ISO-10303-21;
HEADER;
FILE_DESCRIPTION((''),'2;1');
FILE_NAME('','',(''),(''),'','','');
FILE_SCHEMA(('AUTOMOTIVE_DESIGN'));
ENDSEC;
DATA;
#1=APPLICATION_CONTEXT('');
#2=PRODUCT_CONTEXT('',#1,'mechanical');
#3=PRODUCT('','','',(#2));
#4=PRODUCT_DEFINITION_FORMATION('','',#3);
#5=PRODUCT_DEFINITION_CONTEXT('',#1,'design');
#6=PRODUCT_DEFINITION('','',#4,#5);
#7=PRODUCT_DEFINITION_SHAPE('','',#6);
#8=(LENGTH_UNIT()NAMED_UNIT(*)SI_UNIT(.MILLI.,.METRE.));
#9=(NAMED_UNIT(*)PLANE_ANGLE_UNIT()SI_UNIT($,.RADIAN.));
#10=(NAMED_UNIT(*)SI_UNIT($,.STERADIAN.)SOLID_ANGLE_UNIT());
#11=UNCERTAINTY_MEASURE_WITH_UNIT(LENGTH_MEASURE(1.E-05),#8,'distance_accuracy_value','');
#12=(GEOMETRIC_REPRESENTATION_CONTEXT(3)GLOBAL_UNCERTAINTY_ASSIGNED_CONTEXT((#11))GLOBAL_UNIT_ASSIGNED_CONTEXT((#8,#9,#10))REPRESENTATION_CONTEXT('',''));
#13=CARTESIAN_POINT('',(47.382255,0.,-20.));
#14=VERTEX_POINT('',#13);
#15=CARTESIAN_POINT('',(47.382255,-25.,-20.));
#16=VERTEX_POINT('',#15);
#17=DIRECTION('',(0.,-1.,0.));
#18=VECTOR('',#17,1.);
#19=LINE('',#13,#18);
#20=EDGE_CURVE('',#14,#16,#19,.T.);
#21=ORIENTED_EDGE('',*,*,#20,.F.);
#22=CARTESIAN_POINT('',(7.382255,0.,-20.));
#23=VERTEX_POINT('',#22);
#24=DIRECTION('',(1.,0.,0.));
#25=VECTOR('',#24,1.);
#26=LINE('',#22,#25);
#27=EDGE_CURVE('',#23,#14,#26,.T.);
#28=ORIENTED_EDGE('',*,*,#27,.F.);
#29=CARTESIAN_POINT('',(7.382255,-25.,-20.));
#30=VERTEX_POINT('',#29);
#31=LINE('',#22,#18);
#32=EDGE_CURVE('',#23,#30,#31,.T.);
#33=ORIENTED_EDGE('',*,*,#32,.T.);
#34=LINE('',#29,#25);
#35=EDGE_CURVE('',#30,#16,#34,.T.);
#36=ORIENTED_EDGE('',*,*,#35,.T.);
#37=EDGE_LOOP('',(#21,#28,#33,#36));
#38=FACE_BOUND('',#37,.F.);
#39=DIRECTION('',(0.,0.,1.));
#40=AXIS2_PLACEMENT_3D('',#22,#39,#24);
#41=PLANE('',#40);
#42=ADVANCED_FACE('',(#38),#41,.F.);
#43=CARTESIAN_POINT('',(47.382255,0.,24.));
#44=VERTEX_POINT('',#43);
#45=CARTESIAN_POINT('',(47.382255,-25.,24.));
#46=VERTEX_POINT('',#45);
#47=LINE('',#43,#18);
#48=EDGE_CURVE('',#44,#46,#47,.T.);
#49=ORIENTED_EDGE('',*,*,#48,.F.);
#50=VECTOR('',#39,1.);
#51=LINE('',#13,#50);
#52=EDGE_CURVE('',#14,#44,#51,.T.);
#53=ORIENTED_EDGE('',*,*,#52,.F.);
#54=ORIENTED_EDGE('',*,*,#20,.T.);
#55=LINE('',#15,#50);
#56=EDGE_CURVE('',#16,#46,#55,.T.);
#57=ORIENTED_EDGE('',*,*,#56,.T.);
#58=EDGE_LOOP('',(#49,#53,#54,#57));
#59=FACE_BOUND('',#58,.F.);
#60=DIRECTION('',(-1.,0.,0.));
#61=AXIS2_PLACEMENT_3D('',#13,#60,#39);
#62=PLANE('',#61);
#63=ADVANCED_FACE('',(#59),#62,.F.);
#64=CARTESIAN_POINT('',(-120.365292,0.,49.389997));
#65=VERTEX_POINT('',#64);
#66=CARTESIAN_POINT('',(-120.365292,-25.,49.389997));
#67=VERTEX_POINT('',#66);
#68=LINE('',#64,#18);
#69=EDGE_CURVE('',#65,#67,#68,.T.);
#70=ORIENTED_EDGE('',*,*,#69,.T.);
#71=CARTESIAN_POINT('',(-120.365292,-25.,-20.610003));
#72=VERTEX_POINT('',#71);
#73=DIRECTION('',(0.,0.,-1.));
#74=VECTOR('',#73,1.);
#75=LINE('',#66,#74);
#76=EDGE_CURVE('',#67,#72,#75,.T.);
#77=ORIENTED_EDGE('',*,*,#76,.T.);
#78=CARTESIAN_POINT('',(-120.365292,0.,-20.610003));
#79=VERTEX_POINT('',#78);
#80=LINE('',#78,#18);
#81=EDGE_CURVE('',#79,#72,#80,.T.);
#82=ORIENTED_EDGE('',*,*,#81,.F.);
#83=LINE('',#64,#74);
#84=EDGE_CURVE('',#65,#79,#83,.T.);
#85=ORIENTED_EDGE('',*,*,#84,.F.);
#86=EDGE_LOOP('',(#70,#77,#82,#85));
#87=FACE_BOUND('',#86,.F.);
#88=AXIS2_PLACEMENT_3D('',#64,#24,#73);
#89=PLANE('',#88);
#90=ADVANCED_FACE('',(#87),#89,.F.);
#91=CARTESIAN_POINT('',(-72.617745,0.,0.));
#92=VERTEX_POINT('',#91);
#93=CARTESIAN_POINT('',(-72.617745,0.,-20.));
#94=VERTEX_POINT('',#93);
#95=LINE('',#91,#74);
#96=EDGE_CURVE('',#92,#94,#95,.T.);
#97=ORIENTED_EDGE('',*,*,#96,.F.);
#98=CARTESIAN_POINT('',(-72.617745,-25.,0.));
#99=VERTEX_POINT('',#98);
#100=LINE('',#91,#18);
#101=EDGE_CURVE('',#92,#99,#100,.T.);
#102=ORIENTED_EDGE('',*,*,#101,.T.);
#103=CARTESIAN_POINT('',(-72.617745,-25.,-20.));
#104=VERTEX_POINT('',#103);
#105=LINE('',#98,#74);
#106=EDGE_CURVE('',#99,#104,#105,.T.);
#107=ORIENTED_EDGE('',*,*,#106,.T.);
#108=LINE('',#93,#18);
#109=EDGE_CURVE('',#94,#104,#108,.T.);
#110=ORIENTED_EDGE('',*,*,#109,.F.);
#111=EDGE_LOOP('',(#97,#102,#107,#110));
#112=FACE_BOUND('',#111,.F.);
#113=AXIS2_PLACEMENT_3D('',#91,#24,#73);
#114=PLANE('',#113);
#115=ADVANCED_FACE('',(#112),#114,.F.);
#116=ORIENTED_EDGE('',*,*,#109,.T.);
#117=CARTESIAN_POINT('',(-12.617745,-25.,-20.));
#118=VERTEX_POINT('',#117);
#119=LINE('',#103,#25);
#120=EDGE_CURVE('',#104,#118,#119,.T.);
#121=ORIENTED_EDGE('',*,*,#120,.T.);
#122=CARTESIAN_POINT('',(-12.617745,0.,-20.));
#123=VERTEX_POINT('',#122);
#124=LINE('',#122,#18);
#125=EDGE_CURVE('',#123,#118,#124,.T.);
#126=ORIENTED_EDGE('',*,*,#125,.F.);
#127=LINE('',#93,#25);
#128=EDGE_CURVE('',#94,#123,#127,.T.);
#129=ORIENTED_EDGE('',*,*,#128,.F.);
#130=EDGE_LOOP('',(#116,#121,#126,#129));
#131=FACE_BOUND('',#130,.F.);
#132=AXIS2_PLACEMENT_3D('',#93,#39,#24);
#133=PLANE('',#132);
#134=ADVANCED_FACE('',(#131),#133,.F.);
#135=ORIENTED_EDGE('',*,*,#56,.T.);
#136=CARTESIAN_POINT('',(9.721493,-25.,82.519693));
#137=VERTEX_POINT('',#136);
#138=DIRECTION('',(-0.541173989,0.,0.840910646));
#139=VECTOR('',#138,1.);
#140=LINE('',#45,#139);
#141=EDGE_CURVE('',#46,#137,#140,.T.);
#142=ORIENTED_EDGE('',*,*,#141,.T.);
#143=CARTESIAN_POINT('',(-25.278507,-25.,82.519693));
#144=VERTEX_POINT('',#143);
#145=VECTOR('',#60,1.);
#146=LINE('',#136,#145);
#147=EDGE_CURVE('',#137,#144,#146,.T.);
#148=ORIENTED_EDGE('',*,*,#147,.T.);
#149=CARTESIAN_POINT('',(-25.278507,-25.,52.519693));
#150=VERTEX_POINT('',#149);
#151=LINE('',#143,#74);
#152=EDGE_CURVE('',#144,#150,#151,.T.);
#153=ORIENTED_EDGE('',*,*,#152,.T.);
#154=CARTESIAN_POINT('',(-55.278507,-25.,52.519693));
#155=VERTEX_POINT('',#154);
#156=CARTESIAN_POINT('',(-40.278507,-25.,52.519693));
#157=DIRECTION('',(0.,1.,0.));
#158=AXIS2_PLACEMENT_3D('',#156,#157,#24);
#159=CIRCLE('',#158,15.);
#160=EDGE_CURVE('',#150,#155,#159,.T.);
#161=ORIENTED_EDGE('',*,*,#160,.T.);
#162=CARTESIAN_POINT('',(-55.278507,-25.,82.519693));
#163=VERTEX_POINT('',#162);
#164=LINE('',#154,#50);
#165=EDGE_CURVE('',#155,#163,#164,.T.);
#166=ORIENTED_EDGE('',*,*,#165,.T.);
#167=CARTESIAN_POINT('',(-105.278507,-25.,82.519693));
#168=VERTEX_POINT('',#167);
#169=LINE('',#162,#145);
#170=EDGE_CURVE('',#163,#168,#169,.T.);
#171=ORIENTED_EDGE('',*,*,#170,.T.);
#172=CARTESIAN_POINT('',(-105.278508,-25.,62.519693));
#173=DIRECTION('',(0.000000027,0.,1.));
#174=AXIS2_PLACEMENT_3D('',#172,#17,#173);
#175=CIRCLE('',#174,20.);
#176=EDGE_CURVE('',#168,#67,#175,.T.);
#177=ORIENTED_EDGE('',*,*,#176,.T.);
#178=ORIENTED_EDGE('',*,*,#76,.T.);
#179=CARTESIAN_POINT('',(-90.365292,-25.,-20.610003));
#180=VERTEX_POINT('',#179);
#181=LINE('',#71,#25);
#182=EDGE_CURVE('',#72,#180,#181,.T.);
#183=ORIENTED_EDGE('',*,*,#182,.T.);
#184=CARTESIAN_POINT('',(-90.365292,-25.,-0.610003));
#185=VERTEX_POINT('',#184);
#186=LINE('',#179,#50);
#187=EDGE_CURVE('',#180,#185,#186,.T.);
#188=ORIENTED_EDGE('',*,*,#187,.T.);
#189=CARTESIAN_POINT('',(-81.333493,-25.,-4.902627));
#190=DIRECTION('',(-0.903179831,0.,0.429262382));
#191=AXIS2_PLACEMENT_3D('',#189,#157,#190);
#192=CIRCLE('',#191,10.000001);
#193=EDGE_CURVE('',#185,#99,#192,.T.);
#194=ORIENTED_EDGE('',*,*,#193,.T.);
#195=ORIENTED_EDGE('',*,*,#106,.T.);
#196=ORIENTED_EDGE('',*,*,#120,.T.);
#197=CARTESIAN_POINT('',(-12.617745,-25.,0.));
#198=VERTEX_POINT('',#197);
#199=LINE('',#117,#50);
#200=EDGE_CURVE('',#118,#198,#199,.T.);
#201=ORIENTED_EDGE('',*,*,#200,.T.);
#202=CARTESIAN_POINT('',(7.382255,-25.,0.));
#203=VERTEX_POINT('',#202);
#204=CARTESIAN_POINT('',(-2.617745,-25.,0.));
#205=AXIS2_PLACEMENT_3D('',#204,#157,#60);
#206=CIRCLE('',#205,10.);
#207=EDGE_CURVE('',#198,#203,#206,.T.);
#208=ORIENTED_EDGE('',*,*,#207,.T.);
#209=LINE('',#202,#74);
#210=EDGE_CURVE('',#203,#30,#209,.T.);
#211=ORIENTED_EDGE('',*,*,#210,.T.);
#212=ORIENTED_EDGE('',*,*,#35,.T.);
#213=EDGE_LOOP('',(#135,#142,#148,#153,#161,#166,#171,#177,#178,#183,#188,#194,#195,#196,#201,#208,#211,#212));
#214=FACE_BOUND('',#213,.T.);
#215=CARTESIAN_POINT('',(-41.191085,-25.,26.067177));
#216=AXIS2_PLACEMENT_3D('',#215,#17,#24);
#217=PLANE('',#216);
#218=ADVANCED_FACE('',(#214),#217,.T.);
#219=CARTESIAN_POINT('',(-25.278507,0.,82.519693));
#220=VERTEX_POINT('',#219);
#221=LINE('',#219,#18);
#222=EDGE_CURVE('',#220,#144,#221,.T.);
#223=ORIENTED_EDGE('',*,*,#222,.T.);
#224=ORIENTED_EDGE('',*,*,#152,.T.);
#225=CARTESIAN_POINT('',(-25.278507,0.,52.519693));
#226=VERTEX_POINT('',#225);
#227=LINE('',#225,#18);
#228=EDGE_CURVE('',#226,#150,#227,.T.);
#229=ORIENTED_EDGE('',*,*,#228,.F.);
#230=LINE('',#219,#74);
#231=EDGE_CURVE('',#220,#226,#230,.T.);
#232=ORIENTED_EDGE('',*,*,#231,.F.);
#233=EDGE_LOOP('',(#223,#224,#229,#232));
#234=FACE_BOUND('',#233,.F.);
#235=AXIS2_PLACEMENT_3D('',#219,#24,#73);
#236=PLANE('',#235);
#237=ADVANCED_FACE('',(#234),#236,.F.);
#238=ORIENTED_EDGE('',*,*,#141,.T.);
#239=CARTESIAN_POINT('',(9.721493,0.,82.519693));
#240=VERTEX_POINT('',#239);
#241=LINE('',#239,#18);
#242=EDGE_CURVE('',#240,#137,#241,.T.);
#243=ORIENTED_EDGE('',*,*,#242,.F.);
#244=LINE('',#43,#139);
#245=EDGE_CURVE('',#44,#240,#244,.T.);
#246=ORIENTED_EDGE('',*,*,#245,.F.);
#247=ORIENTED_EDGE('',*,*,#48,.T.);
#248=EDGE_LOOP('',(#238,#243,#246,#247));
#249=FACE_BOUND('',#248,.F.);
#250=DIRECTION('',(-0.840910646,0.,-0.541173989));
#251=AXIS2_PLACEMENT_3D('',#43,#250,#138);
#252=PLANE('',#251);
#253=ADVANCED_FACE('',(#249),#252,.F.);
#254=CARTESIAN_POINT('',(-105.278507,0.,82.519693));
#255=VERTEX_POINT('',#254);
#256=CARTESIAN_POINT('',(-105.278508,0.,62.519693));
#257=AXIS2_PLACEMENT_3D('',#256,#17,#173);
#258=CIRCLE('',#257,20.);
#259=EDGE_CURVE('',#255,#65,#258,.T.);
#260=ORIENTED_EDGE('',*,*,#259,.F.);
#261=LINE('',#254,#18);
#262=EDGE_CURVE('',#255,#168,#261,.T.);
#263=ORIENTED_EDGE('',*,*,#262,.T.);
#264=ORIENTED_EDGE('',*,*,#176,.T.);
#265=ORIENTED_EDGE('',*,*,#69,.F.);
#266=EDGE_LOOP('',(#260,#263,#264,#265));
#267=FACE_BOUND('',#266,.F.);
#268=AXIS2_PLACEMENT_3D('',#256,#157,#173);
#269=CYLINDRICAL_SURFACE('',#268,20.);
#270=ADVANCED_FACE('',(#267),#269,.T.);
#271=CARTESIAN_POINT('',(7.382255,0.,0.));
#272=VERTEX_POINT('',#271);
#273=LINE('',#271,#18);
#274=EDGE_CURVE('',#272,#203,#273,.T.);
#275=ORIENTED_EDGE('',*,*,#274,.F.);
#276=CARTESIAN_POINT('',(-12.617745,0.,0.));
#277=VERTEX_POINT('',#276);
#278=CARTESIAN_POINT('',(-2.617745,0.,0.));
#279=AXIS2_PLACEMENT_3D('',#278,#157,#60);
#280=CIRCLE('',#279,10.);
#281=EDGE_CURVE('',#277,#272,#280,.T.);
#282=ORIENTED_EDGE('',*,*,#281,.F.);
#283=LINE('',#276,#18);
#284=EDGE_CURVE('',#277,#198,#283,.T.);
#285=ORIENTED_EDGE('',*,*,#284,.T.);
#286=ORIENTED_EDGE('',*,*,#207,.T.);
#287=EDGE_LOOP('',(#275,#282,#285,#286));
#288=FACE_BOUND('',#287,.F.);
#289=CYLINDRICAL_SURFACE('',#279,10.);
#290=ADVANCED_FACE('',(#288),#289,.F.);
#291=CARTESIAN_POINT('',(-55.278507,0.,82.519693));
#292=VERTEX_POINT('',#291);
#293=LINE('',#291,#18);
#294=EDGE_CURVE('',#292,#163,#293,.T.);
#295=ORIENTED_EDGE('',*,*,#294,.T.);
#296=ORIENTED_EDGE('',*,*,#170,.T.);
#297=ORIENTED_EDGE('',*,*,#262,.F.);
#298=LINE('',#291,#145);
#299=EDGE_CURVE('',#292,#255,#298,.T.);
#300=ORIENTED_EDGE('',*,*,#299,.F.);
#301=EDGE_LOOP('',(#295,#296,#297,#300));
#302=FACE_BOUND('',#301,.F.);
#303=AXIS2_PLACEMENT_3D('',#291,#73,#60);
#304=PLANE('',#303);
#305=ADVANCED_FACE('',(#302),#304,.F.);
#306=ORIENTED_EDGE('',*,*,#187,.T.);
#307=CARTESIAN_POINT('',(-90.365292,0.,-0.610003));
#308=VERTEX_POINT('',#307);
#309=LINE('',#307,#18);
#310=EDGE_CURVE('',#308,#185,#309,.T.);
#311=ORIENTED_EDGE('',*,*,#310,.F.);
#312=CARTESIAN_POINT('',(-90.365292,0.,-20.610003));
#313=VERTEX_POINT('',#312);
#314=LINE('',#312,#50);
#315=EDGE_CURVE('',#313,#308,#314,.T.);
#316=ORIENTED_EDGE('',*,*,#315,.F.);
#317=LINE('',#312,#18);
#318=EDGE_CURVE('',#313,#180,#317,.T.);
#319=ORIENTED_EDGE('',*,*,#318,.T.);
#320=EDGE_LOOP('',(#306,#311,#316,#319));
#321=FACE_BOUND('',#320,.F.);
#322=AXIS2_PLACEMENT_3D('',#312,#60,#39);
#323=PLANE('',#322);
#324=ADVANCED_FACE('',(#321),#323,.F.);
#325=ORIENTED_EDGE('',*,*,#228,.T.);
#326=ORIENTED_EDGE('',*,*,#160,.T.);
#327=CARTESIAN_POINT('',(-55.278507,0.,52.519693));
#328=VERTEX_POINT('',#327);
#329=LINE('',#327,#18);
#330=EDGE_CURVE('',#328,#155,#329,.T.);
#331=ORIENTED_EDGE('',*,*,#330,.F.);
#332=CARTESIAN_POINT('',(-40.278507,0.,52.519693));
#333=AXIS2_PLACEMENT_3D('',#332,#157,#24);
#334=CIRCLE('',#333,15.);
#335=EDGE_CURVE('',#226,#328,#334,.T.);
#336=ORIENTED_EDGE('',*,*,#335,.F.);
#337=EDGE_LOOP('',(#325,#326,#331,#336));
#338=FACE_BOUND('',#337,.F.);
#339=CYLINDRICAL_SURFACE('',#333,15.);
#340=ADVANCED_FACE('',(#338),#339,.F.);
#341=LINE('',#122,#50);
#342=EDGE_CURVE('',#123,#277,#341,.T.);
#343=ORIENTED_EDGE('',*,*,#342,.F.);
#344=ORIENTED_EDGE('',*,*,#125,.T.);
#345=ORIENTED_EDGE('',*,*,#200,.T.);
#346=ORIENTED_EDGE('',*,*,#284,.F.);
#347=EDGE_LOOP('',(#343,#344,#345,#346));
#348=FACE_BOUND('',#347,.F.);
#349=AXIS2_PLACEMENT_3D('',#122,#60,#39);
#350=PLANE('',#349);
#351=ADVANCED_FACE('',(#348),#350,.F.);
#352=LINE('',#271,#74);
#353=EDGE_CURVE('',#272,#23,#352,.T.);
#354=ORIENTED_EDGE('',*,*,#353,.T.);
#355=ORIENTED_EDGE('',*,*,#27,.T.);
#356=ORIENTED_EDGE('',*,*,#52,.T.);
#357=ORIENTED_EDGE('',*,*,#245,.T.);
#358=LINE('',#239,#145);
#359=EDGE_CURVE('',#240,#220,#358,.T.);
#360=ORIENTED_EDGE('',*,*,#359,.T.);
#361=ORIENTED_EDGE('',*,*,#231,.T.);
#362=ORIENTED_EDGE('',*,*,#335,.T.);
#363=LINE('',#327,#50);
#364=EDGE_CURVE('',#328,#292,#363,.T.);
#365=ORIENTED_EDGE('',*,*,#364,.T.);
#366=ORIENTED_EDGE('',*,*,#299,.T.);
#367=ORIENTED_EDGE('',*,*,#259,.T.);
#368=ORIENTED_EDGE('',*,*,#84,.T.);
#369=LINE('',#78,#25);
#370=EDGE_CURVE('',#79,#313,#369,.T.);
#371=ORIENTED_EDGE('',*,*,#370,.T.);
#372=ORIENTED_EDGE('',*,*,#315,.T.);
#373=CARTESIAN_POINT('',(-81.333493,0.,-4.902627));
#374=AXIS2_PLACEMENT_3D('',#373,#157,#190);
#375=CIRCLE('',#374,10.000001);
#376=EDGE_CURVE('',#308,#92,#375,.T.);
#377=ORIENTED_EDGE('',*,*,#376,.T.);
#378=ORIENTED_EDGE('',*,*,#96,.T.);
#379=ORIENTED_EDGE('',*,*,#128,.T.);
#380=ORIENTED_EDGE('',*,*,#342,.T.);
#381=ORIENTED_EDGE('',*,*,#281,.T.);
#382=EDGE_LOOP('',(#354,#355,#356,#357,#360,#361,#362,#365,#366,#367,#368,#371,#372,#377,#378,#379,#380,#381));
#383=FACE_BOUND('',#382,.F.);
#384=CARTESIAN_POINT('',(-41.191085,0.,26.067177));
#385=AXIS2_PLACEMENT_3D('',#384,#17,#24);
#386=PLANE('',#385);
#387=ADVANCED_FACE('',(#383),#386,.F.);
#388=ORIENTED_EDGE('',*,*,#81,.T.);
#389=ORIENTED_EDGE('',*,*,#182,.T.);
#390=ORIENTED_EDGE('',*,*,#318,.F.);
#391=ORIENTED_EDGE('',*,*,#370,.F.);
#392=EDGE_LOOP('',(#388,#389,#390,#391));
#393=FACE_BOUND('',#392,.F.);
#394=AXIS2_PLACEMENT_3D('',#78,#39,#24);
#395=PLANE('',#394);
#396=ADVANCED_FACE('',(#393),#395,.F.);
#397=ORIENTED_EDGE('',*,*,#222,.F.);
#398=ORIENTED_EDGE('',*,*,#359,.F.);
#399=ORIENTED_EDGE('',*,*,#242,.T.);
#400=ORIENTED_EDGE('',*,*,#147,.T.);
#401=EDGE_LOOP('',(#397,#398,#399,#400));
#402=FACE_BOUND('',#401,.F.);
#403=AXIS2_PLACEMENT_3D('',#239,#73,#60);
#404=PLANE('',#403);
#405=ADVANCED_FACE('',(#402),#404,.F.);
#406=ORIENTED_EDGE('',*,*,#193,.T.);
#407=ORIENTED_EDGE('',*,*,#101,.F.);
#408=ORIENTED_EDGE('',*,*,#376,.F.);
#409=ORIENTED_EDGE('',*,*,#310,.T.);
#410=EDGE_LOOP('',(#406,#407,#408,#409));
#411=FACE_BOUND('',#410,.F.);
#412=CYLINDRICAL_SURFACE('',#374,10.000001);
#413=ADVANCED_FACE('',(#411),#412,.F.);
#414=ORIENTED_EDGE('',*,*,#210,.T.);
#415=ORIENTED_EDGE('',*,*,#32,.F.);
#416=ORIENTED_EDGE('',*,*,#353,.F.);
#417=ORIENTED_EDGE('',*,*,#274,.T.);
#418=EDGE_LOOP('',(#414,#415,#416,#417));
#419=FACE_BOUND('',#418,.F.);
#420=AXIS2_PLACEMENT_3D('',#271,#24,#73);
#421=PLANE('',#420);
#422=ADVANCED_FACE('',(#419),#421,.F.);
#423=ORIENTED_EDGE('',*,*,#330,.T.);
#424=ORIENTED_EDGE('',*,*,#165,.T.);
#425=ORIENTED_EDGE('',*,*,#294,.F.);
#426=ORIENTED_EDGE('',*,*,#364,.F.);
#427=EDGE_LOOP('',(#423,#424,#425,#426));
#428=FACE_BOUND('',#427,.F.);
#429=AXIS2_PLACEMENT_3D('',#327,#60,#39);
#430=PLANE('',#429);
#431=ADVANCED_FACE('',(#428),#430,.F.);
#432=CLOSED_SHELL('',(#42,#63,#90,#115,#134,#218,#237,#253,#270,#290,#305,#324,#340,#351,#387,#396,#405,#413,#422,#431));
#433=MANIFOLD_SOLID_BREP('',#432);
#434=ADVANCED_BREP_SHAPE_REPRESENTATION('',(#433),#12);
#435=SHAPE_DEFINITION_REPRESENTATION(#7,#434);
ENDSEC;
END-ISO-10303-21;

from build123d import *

# Parameters (mm, degrees)
F1_DEPTH = 25


with BuildPart() as f1:
    # F0 (on Front) → F1 (new body)
    with BuildSketch(Plane.XZ):
        with BuildLine():
            Line((-55.278507, 82.519693), (-105.278507, 82.519693))
            ThreePointArc((-105.278507, 82.519693), (-123.480072, 70.808423), (-120.365292, 49.389997))
            Line((-120.365292, 49.389997), (-120.365292, -20.610003))
            Line((-120.365292, -20.610003), (-90.365292, -20.610003))
            Line((-90.365292, -20.610003), (-90.365292, -0.610003))
            ThreePointArc((-90.365292, -0.610003), (-81.677001, 5.091472), (-72.617745, 0))
            Line((-72.617745, 0), (-72.617745, -20))
            Line((-72.617745, -20), (-12.617745, -20))
            Line((-12.617745, -20), (-12.617745, 0))
            ThreePointArc((-12.617745, 0), (-2.617745, 10), (7.382255, 0))
            Line((7.382255, 0), (7.382255, -20))
            Line((7.382255, -20), (47.382255, -20))
            Line((47.382255, -20), (47.382255, 24))
            Line((47.382255, 24), (9.721493, 82.519693))
            Line((9.721493, 82.519693), (-25.278507, 82.519693))
            Line((-25.278507, 82.519693), (-25.278507, 52.519693))
            ThreePointArc((-25.278507, 52.519693), (-40.278507, 37.519693), (-55.278507, 52.519693))
            Line((-55.278507, 52.519693), (-55.278507, 82.519693))
        make_face()
    extrude(amount=F1_DEPTH)


solid = f1.part
